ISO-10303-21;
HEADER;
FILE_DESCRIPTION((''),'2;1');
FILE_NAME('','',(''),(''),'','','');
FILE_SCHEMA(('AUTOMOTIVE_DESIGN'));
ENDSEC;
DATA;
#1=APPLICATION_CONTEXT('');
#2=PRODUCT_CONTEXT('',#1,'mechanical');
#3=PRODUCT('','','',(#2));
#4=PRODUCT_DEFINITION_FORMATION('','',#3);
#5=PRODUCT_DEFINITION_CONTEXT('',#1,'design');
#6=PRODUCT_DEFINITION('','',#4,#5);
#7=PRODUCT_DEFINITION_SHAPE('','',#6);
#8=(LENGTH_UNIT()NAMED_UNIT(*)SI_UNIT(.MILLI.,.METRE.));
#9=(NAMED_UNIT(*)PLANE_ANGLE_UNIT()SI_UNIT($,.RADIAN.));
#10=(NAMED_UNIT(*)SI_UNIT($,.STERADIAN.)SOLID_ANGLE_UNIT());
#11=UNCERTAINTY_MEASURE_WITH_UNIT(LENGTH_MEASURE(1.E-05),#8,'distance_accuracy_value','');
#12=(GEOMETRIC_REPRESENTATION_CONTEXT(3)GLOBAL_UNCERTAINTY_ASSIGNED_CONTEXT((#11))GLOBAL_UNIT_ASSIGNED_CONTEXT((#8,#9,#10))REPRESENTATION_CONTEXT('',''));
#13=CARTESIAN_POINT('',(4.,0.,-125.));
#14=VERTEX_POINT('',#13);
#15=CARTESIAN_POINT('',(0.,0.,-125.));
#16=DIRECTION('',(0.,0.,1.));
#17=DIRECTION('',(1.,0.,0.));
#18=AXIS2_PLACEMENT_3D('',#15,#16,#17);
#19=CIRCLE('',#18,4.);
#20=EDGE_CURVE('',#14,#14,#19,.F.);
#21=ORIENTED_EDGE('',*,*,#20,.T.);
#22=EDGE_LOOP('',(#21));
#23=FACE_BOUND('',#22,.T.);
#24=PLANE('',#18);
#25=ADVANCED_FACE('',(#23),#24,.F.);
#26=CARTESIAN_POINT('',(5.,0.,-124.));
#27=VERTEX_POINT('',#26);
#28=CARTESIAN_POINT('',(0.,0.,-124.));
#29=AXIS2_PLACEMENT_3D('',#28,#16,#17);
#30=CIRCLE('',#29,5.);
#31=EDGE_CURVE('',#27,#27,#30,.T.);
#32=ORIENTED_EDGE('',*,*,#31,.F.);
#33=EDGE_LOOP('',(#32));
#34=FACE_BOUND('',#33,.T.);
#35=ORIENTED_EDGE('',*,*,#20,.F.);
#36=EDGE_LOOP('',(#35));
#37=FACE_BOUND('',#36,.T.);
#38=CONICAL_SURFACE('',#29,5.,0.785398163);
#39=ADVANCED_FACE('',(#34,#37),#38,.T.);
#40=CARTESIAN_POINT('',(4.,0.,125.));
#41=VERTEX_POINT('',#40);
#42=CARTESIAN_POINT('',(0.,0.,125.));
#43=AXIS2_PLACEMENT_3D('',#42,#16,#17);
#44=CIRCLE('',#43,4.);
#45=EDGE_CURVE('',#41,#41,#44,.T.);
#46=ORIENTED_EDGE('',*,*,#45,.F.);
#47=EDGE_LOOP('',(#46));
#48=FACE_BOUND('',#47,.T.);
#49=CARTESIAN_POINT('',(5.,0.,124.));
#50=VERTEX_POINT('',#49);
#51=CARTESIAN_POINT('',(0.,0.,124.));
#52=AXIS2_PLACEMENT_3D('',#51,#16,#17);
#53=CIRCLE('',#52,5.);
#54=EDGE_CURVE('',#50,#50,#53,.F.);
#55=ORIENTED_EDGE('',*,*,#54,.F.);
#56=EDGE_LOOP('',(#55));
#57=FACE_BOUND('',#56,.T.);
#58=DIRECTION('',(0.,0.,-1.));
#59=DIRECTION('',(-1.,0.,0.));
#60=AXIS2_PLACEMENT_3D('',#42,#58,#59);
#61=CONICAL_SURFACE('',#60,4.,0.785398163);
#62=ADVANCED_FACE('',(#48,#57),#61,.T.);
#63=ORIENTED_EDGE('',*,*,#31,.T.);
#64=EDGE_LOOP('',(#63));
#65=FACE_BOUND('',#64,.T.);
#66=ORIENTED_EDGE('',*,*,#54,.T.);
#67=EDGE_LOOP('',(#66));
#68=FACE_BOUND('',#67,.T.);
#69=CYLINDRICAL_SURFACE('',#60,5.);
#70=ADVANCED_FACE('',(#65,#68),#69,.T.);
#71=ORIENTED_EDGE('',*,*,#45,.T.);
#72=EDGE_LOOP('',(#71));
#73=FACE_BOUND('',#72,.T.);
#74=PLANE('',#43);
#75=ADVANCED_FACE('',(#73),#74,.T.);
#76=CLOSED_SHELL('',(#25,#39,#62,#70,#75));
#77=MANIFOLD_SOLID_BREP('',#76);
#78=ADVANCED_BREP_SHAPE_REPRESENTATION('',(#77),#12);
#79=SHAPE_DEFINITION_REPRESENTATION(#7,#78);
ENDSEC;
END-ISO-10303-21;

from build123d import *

# Parameters (mm, degrees)
SKETCH1_R      = 5
EXTRUDE1_DEPTH = 125
CHAMFER1_SIZE  = 1


with BuildPart() as part:
    # Sketch1 → Extrude1 (new body, symmetric)
    with BuildSketch(Plane.XY):
        Circle(SKETCH1_R)
    extrude(amount=EXTRUDE1_DEPTH, both=True)

    # Chamfer1
    chamfer1_edges = [part.edges().sort_by_distance(p)[0] for p in [
        (-5, 0, -125),
        (-5, 0, 125),
    ]]
    chamfer(chamfer1_edges, length=CHAMFER1_SIZE)


solid = part.part
